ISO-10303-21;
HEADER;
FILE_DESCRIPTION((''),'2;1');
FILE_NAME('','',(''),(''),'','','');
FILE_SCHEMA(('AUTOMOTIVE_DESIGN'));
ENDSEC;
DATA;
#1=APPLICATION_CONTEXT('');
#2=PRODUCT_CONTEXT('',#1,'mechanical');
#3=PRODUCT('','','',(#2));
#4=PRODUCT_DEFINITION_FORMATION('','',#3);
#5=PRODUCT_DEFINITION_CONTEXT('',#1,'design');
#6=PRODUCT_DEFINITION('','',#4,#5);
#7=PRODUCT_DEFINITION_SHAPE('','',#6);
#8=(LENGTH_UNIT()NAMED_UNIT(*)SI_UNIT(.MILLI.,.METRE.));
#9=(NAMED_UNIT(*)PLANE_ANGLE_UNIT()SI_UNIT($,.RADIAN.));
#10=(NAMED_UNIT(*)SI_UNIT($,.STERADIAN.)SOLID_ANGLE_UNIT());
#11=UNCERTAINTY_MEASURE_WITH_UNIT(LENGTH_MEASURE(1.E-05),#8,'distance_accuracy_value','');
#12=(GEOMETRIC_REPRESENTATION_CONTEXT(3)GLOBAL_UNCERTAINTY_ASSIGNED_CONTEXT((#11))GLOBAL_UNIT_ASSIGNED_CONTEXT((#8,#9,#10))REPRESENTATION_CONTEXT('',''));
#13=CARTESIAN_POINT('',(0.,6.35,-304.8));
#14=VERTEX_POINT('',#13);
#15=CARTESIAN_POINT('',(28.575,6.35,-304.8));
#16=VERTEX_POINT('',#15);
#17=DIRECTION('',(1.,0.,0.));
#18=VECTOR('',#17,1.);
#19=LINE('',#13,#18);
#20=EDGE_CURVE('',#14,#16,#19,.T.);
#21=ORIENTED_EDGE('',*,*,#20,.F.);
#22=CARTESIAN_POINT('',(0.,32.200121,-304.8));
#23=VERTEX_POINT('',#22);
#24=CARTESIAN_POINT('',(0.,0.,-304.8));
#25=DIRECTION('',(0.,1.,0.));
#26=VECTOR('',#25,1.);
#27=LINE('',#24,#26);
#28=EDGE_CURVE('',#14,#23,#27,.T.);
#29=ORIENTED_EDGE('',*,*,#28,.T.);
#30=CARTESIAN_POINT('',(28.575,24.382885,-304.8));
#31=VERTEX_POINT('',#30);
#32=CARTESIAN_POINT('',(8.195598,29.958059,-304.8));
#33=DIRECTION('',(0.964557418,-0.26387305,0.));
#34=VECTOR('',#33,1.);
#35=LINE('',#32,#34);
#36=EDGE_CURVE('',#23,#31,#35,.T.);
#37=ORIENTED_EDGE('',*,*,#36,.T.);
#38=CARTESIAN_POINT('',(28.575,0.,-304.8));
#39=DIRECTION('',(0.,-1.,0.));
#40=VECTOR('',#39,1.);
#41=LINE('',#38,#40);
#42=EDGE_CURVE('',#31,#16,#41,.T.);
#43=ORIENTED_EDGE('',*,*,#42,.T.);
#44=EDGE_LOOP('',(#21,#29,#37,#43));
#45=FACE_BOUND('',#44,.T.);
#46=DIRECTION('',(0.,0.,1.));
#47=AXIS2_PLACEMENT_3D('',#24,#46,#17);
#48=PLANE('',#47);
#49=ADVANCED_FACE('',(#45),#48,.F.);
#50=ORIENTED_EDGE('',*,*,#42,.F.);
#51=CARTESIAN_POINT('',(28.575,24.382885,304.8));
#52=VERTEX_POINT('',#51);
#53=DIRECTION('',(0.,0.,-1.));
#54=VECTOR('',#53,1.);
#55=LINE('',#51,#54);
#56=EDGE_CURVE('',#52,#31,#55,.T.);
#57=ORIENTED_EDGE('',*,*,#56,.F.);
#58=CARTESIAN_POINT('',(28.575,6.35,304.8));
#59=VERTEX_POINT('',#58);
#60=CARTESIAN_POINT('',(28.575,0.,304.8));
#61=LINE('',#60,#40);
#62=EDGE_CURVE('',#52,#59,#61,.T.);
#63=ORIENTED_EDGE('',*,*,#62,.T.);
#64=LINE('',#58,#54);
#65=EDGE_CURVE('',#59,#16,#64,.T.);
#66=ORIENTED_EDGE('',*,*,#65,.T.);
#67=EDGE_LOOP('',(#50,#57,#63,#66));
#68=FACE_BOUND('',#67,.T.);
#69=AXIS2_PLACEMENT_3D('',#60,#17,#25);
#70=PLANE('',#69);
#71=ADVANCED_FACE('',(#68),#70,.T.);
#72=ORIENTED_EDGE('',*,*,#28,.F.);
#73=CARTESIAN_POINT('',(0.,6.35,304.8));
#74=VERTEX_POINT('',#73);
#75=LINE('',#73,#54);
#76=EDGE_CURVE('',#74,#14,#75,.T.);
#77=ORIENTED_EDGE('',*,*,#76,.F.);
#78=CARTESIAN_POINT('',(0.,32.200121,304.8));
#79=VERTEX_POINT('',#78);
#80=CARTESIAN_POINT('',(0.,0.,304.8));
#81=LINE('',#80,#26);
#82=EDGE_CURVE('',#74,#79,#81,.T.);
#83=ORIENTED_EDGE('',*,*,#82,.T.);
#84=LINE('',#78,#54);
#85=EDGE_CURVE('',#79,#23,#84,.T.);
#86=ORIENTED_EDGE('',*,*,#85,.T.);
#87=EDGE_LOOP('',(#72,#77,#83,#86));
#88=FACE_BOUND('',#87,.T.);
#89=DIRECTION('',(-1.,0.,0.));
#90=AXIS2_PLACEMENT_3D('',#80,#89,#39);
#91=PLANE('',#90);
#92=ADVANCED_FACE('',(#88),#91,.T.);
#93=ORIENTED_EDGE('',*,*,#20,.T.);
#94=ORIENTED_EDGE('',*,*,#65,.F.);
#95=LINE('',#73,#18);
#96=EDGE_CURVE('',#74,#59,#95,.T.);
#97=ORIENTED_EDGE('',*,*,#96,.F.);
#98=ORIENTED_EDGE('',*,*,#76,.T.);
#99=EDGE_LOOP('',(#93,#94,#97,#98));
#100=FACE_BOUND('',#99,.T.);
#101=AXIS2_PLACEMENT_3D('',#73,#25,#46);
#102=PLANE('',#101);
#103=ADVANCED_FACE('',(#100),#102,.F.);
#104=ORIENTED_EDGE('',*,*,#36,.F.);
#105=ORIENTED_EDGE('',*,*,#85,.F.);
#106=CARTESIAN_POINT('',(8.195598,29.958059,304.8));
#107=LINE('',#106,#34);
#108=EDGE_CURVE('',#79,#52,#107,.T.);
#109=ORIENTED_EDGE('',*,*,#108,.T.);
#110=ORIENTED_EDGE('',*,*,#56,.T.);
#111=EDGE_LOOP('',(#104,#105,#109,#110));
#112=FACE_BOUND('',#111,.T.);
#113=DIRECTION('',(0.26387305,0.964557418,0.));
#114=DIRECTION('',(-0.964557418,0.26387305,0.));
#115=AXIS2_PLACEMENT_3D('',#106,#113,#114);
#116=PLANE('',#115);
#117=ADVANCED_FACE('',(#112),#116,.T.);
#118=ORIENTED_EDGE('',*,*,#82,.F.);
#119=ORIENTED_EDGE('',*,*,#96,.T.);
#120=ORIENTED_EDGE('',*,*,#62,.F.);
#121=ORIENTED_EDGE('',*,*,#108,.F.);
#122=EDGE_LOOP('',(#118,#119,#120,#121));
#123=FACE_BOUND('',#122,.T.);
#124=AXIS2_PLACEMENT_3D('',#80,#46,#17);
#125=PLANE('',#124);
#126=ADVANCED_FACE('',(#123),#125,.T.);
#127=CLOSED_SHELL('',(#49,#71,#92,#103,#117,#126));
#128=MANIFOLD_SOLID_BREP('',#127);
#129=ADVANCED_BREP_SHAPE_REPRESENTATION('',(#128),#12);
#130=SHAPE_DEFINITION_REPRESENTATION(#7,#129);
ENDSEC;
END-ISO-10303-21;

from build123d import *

# Parameters (mm, degrees)
BOSS_EXTRUDE1_DEPTH = 304.8


with BuildPart() as part:
    # Sketch1 → Boss-Extrude1 (new body, symmetric)
    with BuildSketch(Plane.XY):
        Polygon((0, 32.200120786), (0, 6.35), (28.575, 6.35), (28.575, 24.38288538), align=None)
    extrude(amount=BOSS_EXTRUDE1_DEPTH, both=True)


solid = part.part
